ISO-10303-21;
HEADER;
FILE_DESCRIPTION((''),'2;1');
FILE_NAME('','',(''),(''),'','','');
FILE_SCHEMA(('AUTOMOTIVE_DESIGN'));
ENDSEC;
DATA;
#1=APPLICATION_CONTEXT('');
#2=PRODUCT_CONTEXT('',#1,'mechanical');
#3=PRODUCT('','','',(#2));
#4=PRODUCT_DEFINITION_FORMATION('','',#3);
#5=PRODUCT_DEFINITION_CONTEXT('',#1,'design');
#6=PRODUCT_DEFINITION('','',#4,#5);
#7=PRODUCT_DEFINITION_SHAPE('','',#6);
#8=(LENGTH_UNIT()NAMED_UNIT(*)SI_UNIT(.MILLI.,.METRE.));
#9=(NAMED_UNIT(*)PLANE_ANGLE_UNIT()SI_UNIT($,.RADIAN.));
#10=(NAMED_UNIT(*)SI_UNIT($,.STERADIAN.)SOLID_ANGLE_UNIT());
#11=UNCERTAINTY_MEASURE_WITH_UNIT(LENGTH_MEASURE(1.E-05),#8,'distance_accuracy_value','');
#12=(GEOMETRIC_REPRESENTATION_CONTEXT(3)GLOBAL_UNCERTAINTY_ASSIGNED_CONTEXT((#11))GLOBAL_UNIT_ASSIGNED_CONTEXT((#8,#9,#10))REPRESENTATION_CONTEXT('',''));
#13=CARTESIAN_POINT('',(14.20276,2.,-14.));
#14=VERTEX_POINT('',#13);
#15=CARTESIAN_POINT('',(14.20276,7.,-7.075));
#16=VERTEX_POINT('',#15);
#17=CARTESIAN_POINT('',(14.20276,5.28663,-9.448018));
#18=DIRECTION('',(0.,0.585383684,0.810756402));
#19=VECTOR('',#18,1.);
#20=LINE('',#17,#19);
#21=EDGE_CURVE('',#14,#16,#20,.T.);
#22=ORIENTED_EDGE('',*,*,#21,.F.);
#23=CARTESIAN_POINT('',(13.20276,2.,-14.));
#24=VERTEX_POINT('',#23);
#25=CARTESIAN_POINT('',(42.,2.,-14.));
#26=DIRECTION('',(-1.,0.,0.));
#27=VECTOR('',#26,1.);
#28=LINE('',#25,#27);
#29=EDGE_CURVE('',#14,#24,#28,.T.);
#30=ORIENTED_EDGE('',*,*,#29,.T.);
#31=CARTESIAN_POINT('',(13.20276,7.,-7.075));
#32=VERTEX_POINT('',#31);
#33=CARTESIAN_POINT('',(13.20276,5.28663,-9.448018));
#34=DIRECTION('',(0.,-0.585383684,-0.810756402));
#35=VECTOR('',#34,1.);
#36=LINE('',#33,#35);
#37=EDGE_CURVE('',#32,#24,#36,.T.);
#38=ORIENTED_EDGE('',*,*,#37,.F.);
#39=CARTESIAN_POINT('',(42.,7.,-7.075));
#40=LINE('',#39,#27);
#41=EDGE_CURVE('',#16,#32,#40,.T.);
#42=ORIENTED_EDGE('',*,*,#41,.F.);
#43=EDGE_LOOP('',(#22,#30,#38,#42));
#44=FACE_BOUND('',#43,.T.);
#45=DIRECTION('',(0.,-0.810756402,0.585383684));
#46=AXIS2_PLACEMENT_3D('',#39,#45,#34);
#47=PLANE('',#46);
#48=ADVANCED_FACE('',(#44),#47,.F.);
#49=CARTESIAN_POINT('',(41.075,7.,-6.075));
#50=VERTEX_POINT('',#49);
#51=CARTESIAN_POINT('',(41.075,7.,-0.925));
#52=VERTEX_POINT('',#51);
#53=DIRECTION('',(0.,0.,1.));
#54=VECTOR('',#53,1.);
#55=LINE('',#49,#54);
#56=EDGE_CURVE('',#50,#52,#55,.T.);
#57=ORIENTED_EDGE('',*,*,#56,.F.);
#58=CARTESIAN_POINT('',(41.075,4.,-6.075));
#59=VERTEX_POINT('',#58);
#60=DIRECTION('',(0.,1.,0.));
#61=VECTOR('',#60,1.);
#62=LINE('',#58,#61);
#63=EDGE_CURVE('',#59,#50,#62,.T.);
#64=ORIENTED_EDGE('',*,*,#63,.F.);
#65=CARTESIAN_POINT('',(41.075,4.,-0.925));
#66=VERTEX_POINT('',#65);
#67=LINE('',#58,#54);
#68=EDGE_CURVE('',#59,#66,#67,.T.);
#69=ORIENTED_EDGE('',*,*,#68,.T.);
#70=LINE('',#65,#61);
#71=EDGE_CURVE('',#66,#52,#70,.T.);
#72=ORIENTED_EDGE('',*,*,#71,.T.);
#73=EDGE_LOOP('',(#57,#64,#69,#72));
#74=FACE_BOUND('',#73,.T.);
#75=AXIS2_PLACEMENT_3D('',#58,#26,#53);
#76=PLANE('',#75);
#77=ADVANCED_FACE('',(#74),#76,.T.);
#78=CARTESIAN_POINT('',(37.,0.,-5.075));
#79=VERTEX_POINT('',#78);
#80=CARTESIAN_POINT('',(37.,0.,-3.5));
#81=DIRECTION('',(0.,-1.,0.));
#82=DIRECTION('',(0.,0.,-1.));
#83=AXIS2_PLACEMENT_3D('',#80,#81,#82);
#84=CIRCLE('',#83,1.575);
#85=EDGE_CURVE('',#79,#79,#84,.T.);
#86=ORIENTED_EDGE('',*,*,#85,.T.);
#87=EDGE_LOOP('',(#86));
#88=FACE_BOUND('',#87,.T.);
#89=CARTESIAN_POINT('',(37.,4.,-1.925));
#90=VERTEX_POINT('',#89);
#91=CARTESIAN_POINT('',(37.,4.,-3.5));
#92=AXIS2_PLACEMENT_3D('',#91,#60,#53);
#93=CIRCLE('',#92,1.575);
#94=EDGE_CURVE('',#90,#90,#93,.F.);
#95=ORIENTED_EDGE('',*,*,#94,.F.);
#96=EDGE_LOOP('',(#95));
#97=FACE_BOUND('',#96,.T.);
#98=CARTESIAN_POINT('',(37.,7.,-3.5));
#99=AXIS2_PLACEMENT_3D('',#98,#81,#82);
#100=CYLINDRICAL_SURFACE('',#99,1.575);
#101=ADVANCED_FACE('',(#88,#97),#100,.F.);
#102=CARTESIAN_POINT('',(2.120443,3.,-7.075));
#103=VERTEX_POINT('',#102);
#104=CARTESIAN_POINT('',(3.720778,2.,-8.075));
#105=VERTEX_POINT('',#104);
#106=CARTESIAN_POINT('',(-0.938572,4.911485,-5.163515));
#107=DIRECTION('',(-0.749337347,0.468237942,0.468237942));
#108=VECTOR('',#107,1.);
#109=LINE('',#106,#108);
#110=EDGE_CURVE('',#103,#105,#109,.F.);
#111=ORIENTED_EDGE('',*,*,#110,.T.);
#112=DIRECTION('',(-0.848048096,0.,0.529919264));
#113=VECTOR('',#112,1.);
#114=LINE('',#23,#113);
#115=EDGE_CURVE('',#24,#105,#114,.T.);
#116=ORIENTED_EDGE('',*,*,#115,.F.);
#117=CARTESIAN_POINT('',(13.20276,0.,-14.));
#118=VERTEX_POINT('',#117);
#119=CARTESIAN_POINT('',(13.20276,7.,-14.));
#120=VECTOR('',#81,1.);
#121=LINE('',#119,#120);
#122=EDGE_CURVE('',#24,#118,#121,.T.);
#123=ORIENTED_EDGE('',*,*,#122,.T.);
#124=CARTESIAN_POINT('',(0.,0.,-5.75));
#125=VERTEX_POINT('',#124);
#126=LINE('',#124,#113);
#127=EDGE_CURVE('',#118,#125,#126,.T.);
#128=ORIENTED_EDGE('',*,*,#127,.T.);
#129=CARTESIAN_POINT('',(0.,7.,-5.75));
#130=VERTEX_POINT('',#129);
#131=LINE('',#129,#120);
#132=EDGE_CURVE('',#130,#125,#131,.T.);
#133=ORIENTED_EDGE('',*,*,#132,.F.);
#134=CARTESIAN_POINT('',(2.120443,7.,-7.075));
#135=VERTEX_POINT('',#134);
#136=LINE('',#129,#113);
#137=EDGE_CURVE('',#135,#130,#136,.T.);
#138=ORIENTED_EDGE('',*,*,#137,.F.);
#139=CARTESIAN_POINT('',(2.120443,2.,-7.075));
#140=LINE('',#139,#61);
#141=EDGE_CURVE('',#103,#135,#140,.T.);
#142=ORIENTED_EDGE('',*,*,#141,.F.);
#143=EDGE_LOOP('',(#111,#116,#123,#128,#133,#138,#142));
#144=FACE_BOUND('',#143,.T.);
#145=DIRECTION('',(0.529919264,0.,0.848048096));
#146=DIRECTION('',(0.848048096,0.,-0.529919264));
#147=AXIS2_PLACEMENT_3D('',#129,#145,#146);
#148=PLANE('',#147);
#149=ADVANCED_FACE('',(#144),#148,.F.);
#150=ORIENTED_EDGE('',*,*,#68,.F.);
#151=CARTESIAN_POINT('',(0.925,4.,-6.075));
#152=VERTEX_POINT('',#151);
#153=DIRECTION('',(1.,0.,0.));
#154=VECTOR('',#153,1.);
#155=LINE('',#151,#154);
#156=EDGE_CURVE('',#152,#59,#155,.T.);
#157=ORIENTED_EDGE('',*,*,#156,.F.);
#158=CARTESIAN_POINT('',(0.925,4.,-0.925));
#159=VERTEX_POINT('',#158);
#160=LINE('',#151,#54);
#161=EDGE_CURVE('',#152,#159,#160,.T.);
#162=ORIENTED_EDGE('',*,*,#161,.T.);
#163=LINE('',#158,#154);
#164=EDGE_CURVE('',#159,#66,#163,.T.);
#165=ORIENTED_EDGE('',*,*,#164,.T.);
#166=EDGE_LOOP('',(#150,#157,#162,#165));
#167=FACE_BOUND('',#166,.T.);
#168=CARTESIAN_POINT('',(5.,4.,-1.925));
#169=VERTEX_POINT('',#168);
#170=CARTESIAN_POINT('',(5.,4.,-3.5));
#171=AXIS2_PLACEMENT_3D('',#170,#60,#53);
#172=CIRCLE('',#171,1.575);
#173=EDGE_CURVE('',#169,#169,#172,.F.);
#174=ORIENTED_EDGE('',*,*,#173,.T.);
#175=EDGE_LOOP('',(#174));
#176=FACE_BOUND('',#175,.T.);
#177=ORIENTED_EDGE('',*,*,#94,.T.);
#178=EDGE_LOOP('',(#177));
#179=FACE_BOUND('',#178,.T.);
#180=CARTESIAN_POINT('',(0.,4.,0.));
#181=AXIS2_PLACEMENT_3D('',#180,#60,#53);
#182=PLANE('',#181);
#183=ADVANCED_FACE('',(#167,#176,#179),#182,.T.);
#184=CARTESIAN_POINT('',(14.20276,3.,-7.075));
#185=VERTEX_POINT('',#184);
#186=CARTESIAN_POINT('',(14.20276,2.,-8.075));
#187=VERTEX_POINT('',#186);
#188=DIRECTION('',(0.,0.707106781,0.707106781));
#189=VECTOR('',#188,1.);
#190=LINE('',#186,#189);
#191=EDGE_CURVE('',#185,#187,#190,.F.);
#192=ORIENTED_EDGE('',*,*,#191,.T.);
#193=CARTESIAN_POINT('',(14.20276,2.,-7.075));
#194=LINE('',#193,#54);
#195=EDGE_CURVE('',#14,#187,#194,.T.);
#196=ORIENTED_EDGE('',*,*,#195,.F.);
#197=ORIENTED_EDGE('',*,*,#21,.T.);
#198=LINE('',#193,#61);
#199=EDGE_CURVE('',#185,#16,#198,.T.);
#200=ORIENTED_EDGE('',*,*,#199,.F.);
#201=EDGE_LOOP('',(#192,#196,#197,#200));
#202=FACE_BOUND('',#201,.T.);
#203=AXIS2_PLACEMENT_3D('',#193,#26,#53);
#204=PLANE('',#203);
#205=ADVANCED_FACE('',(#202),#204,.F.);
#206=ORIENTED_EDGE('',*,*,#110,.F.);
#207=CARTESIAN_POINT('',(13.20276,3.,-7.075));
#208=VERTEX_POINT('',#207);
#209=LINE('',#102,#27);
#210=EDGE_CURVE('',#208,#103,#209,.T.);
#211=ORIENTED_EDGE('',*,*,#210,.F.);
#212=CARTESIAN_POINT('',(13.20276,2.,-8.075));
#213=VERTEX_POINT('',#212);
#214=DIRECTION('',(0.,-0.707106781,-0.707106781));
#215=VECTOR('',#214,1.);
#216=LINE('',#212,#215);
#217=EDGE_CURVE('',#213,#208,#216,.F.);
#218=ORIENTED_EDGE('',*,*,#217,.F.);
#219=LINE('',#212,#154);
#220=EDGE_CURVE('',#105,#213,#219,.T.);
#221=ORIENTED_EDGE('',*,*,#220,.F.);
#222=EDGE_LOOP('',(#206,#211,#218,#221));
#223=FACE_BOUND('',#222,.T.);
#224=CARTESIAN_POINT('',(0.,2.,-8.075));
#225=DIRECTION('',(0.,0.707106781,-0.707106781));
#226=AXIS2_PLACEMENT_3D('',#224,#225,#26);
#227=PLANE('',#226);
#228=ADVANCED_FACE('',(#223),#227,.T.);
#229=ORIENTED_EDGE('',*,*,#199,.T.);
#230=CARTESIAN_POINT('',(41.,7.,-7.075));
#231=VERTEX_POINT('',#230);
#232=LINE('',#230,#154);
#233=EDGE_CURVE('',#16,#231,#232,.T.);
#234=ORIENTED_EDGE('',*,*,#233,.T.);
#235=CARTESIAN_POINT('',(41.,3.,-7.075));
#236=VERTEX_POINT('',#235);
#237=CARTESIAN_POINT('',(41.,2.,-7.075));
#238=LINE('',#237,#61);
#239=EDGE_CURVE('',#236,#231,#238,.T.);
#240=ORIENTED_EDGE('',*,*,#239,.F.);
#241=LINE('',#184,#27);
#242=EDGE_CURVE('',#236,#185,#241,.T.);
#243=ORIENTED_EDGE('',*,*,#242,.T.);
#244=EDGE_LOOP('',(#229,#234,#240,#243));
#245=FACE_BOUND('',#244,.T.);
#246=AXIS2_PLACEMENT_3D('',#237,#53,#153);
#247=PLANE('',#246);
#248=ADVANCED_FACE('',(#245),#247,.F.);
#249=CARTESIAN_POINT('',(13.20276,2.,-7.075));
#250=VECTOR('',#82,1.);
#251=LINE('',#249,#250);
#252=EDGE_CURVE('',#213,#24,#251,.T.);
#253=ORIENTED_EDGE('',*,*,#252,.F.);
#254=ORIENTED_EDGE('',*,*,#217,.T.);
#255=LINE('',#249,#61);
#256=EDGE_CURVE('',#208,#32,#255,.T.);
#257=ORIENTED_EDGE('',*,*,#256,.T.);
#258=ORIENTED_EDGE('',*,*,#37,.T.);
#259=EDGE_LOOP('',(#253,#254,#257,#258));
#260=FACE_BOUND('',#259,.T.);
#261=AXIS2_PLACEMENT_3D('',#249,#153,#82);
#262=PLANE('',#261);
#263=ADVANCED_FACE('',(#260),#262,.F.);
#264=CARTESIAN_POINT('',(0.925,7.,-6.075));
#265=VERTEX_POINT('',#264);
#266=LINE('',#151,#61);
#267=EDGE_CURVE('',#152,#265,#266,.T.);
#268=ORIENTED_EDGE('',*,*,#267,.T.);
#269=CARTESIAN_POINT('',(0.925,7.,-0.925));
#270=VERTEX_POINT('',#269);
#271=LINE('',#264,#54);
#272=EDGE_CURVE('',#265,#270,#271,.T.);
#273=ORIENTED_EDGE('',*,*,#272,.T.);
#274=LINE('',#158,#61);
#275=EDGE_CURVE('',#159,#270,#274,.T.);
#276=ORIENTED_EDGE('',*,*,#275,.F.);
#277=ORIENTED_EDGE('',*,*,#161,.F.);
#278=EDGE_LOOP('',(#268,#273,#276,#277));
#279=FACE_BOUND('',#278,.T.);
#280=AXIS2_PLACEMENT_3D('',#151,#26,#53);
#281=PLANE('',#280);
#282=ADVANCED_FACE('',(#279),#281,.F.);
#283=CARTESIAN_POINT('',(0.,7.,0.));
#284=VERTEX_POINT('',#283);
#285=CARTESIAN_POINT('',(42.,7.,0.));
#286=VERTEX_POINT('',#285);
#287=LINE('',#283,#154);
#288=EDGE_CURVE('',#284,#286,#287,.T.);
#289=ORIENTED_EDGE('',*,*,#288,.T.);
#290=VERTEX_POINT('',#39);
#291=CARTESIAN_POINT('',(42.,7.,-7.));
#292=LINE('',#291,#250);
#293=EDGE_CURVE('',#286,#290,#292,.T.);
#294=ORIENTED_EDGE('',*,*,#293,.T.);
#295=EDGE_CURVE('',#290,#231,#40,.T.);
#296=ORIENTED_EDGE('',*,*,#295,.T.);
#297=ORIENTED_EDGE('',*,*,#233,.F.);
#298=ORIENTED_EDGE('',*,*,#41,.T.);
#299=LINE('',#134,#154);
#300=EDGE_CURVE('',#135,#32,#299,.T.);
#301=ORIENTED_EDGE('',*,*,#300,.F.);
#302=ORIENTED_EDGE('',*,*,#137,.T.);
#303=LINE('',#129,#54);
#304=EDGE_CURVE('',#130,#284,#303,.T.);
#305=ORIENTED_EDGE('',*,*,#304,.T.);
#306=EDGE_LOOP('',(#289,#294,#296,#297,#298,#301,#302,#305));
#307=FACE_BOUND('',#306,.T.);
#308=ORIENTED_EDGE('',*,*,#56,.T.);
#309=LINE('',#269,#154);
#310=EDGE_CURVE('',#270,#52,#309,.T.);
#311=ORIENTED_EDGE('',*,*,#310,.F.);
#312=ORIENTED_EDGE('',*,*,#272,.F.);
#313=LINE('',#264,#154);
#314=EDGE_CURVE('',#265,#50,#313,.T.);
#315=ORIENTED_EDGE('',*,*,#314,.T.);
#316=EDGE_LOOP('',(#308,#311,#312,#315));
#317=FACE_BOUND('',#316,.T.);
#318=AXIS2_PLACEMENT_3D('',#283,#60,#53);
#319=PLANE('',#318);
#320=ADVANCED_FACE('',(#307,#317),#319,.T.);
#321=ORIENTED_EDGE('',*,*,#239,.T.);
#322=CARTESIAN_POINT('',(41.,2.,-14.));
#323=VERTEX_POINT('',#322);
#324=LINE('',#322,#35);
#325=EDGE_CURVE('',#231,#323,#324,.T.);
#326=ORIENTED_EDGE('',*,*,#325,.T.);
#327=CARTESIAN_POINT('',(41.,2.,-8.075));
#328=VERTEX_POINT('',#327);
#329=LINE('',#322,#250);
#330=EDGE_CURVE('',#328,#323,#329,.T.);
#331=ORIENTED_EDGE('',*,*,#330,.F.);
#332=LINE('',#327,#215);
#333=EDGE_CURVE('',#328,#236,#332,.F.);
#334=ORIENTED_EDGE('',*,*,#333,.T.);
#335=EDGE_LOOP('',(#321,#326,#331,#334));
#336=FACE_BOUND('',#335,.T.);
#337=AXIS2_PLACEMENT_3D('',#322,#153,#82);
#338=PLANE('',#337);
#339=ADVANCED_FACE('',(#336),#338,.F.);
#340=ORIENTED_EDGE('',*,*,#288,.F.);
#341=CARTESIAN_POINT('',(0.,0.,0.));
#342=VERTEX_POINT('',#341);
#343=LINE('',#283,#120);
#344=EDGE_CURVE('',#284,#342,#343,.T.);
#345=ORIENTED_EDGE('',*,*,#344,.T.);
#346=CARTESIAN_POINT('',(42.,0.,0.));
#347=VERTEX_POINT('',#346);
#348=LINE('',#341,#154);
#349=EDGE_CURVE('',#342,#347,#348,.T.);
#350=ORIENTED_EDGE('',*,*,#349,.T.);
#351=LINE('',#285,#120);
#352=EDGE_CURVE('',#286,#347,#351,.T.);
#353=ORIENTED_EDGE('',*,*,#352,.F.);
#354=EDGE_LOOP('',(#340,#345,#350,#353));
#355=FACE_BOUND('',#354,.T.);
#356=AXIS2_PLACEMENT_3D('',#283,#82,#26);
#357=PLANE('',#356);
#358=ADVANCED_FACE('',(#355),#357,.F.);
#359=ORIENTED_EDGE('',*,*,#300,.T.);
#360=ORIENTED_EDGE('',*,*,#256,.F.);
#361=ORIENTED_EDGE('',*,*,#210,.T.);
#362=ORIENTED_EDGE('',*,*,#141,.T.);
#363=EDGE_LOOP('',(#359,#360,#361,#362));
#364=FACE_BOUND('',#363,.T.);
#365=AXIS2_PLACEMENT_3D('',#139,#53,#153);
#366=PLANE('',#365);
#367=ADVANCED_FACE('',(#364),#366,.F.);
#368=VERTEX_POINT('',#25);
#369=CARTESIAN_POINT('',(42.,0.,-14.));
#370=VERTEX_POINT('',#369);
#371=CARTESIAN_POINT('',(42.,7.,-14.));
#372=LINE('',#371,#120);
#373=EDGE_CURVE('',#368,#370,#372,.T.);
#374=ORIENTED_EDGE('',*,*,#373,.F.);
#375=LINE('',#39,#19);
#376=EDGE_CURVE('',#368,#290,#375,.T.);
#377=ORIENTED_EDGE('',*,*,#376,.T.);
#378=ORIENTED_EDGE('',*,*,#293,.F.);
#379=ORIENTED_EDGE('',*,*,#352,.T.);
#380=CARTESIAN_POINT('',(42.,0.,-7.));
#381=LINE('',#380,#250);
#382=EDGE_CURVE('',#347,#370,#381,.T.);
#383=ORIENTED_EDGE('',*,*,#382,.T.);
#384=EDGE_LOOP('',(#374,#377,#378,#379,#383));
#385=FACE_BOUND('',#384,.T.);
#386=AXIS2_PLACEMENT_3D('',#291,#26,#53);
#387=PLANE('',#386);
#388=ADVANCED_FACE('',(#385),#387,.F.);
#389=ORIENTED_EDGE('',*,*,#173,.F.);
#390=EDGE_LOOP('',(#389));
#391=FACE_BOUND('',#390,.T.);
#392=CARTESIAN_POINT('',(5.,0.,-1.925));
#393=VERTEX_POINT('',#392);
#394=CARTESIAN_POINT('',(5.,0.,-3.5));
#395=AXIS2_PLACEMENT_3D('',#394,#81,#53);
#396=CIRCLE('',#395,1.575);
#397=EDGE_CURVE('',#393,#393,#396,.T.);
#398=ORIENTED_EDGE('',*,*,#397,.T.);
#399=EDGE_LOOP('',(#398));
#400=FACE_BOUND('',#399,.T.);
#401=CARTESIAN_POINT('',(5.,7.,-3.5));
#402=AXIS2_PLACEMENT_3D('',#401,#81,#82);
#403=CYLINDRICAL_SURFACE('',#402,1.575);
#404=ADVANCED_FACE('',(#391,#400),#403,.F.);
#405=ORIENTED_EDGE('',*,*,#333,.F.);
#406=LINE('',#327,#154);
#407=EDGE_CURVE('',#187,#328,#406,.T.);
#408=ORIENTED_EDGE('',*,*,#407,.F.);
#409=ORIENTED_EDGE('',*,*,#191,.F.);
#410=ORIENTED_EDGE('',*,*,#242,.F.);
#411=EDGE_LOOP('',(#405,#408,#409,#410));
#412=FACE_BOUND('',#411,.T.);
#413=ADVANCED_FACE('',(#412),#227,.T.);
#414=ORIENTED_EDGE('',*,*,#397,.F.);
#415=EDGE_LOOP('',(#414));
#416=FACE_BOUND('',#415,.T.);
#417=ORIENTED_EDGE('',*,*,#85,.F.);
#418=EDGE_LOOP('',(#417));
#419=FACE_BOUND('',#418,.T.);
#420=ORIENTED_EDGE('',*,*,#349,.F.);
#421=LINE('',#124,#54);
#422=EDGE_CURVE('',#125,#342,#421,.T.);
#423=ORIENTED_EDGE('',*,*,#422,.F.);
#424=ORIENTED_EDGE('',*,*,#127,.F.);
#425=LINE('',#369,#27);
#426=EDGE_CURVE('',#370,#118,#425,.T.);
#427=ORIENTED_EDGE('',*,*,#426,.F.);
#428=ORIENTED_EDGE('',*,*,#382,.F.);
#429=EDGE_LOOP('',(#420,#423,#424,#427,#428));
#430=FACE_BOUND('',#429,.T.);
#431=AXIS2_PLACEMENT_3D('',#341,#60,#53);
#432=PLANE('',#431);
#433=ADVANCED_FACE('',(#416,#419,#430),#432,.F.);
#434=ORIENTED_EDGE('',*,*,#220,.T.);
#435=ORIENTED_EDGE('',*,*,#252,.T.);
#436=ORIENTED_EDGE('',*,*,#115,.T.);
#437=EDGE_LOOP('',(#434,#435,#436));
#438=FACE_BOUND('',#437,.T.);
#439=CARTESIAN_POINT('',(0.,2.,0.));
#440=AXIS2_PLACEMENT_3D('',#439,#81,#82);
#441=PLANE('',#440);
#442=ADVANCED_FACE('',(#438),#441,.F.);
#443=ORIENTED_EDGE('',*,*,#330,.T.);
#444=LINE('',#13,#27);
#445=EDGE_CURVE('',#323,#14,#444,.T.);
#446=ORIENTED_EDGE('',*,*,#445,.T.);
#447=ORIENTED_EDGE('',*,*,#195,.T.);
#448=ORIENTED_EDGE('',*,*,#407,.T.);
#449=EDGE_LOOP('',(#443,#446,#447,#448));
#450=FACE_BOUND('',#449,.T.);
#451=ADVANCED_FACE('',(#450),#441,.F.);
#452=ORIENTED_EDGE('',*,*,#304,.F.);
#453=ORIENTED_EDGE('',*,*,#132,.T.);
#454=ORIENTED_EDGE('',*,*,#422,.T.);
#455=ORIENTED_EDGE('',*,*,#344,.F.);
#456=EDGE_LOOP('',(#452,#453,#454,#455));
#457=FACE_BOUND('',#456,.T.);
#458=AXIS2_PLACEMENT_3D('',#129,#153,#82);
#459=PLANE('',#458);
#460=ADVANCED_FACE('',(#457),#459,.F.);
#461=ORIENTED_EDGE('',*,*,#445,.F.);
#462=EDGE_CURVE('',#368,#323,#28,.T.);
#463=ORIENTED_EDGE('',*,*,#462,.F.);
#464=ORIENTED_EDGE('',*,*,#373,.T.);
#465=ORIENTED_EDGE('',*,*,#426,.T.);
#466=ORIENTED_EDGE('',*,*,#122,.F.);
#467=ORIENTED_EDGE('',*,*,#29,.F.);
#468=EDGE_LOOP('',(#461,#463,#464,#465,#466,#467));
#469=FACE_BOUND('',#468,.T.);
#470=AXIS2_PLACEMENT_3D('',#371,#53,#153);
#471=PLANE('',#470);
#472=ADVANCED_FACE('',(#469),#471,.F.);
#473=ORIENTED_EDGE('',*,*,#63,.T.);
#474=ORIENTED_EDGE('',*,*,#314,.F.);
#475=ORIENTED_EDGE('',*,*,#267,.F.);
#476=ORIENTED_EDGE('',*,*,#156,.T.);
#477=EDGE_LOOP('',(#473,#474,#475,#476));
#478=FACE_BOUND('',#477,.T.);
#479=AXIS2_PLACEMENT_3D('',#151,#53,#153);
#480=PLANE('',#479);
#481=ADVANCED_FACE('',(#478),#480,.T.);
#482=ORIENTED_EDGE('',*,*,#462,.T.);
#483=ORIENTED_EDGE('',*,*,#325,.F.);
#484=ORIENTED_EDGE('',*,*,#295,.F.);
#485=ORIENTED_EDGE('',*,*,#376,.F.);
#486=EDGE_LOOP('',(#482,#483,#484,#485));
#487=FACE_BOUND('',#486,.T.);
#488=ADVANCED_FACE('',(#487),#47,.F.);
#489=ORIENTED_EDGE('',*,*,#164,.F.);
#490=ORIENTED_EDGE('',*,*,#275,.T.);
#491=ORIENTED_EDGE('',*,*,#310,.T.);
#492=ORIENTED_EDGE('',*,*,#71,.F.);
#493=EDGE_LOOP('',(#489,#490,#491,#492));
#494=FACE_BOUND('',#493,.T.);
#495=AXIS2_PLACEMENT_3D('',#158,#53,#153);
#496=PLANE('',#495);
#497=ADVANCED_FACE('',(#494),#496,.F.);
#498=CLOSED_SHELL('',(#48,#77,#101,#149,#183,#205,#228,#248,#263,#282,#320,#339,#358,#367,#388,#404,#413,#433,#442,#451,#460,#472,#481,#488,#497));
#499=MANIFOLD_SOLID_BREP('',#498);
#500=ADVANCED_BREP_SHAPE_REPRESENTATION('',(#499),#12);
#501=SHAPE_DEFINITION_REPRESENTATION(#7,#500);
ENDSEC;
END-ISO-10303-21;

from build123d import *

# Parameters (mm, degrees)
RISER_DEPTH             = 7
SKETCH2_R               = 1.575
MOUNTING_HOLES_DEPTH    = 44.150898021
SKETCH3_W               = 40.15
SKETCH3_H               = 5.15
RECESS_DEPTH            = 3
FLANGE_DEPTH            = 7
SKETCH5_W               = 26.797240136
SKETCH5_H               = 6.925
FLANGE_CUTOUT_DEPTH     = 5
ANGLE_CUTOUT_DEPTH      = 44.886216515
ANGLE_CUTOUT_DEPTH_BACK = 44.886216515
FLANGE_CHAMFER_1_SIZE   = 1
FLANGE_CHAMFER_2_SIZE   = 1


with BuildPart() as part:
    # Sketch1 → Riser (new body)
    with BuildSketch(Plane(origin=(0, 0, 0), x_dir=(1, 0, 0), z_dir=(0, 1, 0))):
        Polygon((2.000418161, 7), (42, 7), (42, 0), (0, 0), (0, 5.75), align=None)
    extrude(amount=RISER_DEPTH)

    # Sketch2 → Mounting Holes (cut, through all)
    with BuildSketch(Plane.XZ):
        with Locations(Location((37, -3.5, 0), (0, 0, 270))):
            Circle(SKETCH2_R)
        with Locations(Location((5, -3.5, 0), (0, 0, 90))):
            Circle(SKETCH2_R)
    extrude(amount=-MOUNTING_HOLES_DEPTH, mode=Mode.SUBTRACT)

    # Sketch3 → Recess (cut)
    with BuildSketch(Plane(origin=(0, 7, 0), x_dir=(1, 0, 0), z_dir=(0, 1, 0))):
        with Locations((21, 3.5)):
            Rectangle(SKETCH3_W, SKETCH3_H)
    extrude(amount=-RECESS_DEPTH, mode=Mode.SUBTRACT)

    # Sketch4 → Flange (add)
    with BuildSketch(Plane(origin=(0, 0, 0), x_dir=(1, 0, 0), z_dir=(0, 1, 0))):
        Polygon((2.000418161, 7), (42, 7), (42, 14), (13.202759864, 14), align=None)
    extrude(amount=FLANGE_DEPTH)

    # Sketch5 → Flange Cutout (cut)
    with BuildSketch(Plane(origin=(0, 7, 0), x_dir=(1, 0, 0), z_dir=(0, 1, 0))):
        with Locations((27.601379932, 10.5375)):
            Rectangle(SKETCH5_W, SKETCH5_H)
        Polygon((2.120443251, 7.075), (13.202759864, 7.075), (13.202759864, 14), align=None)
    extrude(amount=-FLANGE_CUTOUT_DEPTH, mode=Mode.SUBTRACT)

    # Sketch7 → Angle Cutout (cut, two sides: drawn at the far end of the back side and taken through both)
    with BuildSketch(Plane.ZY.offset(-41).offset(-ANGLE_CUTOUT_DEPTH_BACK)):
        Polygon((-7.075, 7), (-14, 2), (-14, 7), align=None)
    extrude(amount=ANGLE_CUTOUT_DEPTH + ANGLE_CUTOUT_DEPTH_BACK, mode=Mode.SUBTRACT)

    # Flange Chamfer 1
    flange_chamfer_1_edges = [part.edges().sort_by_distance(p)[0] for p in [
        (27.601379932, 2, -7.075),
    ]]
    chamfer(flange_chamfer_1_edges, length=FLANGE_CHAMFER_1_SIZE)

    # Flange Chamfer 2
    flange_chamfer_2_edges = [part.edges().sort_by_distance(p)[0] for p in [
        (7.661601558, 2, -7.075),
    ]]
    chamfer(flange_chamfer_2_edges, length=FLANGE_CHAMFER_2_SIZE)


solid = part.part
